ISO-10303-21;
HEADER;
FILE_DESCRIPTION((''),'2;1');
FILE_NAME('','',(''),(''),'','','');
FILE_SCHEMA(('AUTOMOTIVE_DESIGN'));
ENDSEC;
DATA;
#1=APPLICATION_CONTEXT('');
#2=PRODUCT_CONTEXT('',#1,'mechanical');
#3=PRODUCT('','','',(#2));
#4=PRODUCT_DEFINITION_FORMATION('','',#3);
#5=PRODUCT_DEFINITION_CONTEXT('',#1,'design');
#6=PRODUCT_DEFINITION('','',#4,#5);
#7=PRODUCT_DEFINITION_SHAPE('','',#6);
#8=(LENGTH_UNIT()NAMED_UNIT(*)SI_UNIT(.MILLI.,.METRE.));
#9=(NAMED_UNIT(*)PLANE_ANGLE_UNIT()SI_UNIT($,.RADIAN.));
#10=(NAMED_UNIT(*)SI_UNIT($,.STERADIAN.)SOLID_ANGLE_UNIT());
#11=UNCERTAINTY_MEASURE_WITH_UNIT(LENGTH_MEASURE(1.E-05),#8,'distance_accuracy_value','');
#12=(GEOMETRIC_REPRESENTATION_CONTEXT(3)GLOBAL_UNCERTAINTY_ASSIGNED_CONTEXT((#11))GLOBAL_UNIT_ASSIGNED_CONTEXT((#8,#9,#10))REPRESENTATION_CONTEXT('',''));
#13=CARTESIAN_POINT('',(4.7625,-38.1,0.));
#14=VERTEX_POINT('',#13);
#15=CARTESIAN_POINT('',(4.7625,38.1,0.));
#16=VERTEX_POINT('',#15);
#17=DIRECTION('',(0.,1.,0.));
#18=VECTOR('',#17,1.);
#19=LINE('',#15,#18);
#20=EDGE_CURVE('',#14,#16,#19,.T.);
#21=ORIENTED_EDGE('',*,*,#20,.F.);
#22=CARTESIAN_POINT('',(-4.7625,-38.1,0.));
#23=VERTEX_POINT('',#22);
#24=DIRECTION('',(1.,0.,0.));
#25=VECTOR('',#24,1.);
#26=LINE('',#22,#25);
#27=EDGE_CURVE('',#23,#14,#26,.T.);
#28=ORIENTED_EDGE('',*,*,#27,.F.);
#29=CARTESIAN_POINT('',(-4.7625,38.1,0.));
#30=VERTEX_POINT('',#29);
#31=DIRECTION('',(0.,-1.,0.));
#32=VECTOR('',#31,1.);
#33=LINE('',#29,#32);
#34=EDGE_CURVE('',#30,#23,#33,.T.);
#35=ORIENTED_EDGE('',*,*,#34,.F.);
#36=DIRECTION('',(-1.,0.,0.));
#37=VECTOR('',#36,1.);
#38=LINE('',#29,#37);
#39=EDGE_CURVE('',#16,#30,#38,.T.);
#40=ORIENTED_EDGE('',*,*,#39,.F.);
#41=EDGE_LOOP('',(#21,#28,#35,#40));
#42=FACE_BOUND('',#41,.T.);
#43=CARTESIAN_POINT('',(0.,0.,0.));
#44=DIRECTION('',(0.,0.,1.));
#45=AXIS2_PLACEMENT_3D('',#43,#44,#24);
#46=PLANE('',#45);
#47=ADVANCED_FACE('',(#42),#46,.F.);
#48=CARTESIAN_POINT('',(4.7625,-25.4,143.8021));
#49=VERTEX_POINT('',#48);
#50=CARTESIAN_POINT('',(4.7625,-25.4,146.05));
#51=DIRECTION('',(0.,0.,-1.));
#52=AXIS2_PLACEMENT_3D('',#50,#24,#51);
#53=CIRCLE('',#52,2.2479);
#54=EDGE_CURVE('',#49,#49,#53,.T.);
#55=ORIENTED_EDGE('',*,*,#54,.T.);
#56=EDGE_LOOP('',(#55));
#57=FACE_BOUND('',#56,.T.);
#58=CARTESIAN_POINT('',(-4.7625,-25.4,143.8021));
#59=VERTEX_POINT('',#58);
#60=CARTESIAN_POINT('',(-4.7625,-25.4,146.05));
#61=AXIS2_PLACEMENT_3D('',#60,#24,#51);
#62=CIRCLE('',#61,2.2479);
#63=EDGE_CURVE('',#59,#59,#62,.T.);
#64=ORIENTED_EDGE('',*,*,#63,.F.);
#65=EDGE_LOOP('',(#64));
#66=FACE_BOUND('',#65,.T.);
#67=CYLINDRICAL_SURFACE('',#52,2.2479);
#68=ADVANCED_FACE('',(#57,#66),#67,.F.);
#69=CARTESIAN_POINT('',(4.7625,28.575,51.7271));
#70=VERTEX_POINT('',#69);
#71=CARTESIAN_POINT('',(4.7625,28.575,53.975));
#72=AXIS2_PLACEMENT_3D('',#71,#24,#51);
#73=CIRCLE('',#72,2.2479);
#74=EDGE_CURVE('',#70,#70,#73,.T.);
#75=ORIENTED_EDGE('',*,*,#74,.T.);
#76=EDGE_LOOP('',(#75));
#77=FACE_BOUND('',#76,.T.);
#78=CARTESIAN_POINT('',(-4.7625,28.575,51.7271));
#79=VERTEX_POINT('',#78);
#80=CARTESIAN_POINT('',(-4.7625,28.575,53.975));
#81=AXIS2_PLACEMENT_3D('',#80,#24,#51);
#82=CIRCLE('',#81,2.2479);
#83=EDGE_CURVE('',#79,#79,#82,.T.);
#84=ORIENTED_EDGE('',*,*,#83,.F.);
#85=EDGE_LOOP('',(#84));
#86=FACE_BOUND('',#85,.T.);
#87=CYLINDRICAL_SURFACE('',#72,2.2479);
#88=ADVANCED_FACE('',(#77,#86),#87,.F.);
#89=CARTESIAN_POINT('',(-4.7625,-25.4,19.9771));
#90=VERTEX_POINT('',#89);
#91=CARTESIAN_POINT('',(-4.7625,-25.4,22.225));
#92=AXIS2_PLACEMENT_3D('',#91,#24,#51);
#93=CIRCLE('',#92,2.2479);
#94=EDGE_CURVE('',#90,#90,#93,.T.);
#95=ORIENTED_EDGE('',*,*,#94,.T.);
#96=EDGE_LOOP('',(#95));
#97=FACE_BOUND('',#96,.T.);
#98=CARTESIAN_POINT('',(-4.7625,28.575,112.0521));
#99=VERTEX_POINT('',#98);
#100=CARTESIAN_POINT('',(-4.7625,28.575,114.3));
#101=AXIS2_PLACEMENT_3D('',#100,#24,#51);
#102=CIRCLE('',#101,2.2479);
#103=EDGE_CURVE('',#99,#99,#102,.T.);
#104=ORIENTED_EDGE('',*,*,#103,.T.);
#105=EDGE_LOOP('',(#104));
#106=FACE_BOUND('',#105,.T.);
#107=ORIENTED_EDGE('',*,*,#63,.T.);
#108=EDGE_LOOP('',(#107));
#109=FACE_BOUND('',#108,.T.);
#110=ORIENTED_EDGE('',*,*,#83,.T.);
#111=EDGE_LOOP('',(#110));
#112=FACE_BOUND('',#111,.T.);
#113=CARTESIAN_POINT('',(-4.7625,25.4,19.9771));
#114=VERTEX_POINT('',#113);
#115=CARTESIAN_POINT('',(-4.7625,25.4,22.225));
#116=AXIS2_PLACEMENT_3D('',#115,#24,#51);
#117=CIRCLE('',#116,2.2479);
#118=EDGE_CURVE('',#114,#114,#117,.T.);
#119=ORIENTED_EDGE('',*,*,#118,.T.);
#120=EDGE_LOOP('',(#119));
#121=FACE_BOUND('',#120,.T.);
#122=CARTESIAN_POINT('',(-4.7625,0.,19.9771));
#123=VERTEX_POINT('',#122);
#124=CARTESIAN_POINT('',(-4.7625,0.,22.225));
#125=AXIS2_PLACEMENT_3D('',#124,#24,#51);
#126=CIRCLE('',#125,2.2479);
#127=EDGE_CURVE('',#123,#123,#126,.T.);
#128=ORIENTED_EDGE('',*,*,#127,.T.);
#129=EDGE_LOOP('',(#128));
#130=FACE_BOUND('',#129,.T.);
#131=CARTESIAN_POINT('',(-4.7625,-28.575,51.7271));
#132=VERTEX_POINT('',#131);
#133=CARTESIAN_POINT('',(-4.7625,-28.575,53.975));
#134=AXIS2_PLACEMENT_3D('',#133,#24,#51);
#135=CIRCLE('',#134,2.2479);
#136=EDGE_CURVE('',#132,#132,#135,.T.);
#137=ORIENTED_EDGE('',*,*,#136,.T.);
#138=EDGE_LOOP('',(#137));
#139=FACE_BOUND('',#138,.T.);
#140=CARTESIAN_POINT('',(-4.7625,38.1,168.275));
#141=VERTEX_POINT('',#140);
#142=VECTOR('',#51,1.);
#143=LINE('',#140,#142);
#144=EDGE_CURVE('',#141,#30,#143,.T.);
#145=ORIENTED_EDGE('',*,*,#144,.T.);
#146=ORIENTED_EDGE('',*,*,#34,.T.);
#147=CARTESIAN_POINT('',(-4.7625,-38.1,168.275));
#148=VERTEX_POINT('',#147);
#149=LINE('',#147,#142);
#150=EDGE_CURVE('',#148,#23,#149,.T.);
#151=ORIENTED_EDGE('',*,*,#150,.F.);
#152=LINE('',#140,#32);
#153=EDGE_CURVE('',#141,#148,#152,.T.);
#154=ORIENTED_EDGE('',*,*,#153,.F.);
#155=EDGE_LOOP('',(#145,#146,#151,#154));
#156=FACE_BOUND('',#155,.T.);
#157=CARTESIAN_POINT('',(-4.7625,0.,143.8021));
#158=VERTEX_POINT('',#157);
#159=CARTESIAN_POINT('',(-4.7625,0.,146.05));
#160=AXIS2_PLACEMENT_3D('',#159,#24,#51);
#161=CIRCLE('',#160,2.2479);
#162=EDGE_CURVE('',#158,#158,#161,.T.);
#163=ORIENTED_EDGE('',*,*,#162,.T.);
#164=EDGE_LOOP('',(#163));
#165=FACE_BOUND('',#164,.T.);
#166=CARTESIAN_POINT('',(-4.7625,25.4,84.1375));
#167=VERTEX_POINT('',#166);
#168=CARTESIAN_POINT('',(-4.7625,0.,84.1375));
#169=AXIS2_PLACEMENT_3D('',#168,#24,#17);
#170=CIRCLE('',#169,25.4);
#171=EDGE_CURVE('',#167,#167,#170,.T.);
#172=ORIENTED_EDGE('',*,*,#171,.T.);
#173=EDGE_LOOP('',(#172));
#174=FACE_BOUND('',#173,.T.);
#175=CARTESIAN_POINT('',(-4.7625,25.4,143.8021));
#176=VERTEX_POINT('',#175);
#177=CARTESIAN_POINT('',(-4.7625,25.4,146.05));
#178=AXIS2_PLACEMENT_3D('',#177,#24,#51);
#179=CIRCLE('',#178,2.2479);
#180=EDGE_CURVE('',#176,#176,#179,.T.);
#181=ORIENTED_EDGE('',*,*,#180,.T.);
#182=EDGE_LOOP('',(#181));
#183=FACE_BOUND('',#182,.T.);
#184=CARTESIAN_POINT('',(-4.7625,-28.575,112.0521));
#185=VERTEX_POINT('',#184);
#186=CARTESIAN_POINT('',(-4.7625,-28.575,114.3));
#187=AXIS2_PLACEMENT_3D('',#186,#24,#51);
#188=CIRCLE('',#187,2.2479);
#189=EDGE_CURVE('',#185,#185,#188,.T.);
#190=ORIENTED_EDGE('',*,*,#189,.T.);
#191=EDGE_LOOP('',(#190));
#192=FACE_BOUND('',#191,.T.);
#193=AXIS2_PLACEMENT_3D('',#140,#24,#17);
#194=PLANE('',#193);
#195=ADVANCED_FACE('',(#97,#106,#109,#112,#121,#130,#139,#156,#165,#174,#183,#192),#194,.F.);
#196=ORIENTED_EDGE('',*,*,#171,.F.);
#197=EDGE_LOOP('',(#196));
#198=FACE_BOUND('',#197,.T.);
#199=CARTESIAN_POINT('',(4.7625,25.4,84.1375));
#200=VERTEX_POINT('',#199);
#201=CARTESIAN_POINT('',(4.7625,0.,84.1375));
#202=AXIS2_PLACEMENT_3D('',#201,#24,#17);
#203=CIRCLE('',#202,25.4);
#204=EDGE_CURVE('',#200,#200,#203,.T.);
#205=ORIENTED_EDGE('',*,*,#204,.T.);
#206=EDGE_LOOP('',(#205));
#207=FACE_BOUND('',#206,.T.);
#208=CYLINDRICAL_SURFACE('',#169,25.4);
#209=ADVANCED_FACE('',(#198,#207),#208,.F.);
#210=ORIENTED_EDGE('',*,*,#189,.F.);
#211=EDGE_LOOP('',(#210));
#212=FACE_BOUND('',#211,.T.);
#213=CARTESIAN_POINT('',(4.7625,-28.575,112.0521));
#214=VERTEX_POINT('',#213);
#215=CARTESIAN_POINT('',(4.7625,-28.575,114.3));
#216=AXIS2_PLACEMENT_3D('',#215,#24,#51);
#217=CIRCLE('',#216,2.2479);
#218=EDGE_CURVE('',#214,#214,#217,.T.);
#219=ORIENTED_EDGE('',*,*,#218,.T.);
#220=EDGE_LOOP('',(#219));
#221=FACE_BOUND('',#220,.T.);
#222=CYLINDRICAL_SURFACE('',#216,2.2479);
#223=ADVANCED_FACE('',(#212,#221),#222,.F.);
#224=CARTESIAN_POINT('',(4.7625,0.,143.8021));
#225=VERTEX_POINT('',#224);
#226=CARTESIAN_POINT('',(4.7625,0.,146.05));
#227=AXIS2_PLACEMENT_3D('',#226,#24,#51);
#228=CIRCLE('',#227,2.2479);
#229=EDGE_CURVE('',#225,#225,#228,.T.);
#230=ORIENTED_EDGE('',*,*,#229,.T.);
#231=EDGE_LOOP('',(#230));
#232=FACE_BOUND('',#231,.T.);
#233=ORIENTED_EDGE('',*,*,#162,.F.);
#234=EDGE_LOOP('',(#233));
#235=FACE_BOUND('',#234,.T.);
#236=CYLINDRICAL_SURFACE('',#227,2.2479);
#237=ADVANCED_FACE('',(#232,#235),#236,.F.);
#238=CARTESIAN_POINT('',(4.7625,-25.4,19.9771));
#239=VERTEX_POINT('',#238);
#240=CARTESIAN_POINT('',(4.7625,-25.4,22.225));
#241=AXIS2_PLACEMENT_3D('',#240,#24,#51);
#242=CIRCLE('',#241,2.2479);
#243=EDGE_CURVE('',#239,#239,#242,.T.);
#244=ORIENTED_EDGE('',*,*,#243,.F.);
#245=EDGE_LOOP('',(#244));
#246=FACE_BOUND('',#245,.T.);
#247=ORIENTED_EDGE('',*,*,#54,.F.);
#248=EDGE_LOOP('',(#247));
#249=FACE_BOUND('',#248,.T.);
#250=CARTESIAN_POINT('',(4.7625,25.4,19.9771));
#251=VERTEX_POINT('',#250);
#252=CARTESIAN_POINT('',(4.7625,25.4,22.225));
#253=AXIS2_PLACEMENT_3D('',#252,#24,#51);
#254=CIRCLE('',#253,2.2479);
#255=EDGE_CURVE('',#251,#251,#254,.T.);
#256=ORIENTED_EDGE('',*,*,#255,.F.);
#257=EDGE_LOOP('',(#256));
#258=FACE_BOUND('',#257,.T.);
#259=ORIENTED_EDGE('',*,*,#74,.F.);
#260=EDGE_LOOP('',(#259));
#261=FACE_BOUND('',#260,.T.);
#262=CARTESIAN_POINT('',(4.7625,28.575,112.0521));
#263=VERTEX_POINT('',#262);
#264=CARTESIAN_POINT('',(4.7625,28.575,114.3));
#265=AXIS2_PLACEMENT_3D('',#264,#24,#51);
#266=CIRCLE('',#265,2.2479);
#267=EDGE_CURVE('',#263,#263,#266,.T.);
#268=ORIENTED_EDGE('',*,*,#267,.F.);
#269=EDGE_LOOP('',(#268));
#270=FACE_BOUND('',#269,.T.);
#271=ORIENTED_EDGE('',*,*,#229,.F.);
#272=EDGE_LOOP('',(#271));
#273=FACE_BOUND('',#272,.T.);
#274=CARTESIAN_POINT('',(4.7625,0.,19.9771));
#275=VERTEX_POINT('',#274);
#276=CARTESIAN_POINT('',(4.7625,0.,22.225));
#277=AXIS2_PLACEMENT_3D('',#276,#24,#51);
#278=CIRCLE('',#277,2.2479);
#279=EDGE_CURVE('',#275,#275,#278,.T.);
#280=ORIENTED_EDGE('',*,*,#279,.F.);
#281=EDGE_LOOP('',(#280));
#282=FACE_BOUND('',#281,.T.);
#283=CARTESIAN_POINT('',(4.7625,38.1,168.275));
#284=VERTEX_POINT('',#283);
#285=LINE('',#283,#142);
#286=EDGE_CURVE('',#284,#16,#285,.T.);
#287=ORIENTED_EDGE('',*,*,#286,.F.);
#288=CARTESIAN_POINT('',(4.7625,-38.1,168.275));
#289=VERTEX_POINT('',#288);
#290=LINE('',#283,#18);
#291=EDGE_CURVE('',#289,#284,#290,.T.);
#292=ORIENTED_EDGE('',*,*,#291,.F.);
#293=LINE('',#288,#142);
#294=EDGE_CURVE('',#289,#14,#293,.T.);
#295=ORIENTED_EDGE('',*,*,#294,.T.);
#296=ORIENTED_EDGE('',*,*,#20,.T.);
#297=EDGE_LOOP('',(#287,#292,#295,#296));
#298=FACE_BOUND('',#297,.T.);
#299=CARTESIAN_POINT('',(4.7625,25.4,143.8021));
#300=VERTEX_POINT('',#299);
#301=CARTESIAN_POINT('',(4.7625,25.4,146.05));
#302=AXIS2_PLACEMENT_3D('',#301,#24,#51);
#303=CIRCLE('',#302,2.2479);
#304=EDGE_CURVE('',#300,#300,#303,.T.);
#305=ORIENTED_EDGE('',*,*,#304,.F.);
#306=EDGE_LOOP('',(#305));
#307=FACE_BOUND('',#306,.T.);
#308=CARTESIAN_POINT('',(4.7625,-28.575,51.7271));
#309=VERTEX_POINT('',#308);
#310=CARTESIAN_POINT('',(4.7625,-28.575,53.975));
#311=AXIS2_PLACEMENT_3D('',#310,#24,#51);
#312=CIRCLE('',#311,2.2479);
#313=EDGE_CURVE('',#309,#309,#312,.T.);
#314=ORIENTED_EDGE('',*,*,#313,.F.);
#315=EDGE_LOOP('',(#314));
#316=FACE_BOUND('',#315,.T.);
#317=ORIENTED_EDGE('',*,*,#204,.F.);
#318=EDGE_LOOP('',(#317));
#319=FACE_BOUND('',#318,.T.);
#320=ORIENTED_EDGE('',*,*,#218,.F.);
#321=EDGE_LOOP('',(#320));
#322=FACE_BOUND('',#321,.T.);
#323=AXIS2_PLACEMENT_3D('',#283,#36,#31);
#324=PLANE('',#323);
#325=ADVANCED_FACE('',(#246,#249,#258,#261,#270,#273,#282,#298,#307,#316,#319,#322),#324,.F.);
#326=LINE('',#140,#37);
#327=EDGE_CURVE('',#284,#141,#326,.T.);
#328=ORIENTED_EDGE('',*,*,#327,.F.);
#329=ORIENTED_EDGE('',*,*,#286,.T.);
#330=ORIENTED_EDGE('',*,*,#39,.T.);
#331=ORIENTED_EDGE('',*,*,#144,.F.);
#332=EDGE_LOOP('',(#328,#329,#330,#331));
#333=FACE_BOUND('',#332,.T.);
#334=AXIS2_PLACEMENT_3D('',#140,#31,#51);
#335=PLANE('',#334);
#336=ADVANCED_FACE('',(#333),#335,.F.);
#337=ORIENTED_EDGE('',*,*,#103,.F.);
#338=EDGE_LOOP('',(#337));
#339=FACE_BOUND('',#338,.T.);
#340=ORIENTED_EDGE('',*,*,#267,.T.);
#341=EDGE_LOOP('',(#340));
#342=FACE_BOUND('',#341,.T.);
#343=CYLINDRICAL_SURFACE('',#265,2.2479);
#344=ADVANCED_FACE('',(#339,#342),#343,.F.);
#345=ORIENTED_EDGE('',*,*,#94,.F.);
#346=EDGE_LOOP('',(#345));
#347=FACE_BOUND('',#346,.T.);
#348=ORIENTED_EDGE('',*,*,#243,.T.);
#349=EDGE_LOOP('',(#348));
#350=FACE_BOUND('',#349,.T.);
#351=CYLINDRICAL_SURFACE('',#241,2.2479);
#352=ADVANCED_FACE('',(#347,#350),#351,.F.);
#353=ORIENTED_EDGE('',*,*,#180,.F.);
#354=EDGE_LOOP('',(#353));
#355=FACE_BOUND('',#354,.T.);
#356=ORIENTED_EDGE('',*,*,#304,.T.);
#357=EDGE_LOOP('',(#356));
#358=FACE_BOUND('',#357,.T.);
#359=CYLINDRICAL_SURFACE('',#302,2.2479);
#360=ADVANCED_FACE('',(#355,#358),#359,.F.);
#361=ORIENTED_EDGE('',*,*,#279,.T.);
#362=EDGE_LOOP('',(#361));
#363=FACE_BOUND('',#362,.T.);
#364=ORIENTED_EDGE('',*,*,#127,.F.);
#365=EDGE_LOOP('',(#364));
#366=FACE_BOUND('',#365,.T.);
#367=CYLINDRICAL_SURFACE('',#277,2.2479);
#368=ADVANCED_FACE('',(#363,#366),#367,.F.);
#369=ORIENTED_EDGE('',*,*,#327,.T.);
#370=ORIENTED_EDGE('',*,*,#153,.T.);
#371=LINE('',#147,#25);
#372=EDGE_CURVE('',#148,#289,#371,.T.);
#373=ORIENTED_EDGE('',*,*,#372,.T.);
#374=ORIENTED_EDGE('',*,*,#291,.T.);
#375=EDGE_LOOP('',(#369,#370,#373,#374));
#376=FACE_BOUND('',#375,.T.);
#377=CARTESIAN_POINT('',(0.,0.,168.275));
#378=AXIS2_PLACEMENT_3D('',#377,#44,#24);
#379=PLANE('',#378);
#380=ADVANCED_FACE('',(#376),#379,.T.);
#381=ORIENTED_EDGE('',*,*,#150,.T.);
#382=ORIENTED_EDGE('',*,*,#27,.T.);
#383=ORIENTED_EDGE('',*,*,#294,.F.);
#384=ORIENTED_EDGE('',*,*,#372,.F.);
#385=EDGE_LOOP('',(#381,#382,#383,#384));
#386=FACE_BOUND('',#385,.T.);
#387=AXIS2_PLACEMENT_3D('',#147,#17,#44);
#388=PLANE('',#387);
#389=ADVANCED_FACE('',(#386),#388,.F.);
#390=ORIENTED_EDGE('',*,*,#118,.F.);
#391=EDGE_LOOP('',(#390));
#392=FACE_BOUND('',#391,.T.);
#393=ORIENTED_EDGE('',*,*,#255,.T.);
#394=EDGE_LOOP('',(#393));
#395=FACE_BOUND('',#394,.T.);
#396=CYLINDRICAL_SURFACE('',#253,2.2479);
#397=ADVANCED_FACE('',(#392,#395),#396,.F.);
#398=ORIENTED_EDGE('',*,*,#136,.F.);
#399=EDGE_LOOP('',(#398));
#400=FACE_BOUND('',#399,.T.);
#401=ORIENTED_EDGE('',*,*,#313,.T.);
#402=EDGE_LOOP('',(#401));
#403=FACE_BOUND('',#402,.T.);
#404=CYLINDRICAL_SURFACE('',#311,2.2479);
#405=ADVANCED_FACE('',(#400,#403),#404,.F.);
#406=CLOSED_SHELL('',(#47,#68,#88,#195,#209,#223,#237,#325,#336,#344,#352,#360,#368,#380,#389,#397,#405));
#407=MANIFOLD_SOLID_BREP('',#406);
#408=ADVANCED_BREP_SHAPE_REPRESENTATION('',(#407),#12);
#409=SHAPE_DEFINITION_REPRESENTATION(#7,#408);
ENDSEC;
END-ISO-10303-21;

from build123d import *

# Parameters (mm, degrees)
SKETCH1_W             = 9.525
SKETCH1_H             = 76.2
BOSS_EXTRUDE1_DEPTH   = 168.275
F_8_CLEARANCE_HOLE1_D = 4.4958
F_8_CLEARANCE_HOLE2_D = 4.4958
SKETCH6_R             = 25.4
CUT_EXTRUDE1_DEPTH    = 10.525


with BuildPart() as part:
    # Sketch1 → Boss-Extrude1 (new body)
    with BuildSketch(Plane.XY):
        Rectangle(SKETCH1_W, SKETCH1_H)
    extrude(amount=BOSS_EXTRUDE1_DEPTH)

    # #8 Clearance Hole1 (through all)
    with Locations(Plane(origin=(4.7625, 0, 0), x_dir=(0, 0, -1), z_dir=(1, 0, 0))):
        with Locations((-146.05, 25.4), (-146.05, 0), (-146.05, -25.4), (-22.225, 25.4), (-22.225, 0), (-22.225, -25.4)):
            Hole(F_8_CLEARANCE_HOLE1_D / 2)

    # #8 Clearance Hole2 (through all)
    with Locations(Plane(origin=(4.7625, 0, 0), x_dir=(0, 0, -1), z_dir=(1, 0, 0))):
        with Locations((-114.3, 28.575), (-53.975, 28.575), (-53.975, -28.575), (-114.3, -28.575)):
            Hole(F_8_CLEARANCE_HOLE2_D / 2)

    # Sketch6 → Cut-Extrude1 (cut, through all)
    with BuildSketch(Plane(origin=(4.7625, 0, 0), x_dir=(0, 0, -1), z_dir=(1, 0, 0))):
        with Locations(Location((-84.1375, 0, 0), (0, 0, 90))):  # turned: the seam where the file's is
            Circle(SKETCH6_R)
    extrude(amount=-CUT_EXTRUDE1_DEPTH, mode=Mode.SUBTRACT)


solid = part.part
